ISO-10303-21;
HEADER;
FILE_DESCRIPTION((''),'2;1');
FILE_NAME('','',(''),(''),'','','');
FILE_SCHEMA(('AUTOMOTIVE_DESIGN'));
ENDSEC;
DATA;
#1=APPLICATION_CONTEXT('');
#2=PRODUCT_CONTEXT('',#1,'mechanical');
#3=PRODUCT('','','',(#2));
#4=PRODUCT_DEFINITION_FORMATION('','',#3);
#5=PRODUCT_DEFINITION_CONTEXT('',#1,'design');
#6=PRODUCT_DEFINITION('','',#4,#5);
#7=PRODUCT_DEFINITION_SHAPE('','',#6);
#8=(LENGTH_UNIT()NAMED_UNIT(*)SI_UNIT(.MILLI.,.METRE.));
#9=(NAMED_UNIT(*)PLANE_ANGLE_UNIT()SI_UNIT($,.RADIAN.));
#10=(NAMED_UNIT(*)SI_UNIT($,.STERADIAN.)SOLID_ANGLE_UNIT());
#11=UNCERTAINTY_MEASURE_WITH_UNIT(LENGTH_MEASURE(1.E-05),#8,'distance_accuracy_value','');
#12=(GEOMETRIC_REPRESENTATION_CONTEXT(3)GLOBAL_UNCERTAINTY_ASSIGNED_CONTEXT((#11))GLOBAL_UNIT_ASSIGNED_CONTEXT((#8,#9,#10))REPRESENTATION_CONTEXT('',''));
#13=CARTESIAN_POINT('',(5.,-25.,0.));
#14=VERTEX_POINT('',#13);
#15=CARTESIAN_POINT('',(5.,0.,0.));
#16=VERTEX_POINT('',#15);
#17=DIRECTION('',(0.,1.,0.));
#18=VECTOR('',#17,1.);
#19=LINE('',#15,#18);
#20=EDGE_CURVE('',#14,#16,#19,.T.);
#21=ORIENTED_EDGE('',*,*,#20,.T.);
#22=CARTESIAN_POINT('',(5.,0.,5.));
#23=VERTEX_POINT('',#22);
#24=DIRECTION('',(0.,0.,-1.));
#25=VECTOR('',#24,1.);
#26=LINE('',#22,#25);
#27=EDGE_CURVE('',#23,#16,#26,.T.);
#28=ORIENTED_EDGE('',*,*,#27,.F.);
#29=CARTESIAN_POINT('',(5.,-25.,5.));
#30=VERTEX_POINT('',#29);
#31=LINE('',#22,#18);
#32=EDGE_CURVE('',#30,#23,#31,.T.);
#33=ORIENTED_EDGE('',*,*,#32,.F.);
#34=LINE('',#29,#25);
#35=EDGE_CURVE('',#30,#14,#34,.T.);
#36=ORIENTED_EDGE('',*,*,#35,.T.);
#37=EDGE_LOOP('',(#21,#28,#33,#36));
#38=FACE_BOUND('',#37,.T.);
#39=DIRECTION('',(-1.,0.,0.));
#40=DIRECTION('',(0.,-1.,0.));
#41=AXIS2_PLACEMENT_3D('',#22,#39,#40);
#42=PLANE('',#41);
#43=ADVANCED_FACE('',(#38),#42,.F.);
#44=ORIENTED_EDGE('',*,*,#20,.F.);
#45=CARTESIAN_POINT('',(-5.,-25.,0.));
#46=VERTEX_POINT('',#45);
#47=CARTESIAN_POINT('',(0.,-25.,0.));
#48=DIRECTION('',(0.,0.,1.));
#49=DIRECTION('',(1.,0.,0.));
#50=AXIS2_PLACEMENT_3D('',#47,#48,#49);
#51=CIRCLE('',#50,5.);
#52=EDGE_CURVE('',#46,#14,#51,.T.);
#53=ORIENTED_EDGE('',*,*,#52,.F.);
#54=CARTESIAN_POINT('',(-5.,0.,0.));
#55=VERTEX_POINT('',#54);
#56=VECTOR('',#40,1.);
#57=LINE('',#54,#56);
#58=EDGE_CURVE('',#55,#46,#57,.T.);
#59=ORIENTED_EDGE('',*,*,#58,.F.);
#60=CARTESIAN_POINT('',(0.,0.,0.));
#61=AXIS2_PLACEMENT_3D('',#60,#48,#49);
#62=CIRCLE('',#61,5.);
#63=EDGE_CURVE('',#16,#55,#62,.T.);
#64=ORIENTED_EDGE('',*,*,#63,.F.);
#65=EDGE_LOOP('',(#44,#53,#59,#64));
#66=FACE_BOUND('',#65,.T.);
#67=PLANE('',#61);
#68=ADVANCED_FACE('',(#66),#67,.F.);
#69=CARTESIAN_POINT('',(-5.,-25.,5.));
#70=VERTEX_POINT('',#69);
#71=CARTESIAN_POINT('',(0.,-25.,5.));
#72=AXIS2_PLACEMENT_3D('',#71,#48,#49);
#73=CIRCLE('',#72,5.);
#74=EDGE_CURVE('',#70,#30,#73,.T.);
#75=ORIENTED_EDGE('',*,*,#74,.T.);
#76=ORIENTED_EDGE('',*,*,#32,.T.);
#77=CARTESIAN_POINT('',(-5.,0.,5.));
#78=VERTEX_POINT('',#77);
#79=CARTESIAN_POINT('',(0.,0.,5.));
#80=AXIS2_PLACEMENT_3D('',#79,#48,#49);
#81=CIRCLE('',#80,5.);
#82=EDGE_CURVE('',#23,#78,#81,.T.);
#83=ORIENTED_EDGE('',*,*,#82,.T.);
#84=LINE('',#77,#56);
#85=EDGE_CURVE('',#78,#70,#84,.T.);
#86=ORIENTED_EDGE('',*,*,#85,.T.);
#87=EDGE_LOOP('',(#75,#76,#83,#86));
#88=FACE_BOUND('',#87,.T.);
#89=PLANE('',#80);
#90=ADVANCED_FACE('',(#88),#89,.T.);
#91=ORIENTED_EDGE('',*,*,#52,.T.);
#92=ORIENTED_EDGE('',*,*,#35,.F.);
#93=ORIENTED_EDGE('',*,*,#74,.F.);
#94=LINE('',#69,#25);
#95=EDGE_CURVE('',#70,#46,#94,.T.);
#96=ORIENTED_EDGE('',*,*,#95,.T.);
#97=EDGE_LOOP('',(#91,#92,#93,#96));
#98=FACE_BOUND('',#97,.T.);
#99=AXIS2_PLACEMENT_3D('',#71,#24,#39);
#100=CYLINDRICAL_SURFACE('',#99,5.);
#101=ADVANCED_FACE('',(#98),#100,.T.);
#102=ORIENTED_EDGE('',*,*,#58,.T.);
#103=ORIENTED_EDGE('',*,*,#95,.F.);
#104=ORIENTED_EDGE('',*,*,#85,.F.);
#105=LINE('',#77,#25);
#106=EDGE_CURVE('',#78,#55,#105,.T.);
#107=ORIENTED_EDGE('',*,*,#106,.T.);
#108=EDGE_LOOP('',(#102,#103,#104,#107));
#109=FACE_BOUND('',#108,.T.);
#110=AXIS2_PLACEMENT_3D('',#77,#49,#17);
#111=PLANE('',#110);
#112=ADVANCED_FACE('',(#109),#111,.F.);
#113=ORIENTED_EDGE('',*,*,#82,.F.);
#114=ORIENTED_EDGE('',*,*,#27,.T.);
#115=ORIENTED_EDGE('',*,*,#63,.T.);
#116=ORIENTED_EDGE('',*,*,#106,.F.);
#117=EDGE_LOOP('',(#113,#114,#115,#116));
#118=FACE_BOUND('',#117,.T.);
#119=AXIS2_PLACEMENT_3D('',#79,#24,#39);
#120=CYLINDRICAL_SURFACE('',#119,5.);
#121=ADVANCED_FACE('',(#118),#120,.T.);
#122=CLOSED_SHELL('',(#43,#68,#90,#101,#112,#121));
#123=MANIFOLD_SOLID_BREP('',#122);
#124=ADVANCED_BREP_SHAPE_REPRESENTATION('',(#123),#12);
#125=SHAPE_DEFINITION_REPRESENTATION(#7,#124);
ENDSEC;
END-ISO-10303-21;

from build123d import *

# Parameters (mm, degrees)
EXTRUDE_1_DEPTH = 5


with BuildPart() as part:
    # 草图1 → 凸台-拉伸1 (new body)
    with BuildSketch(Plane.XY):
        with BuildLine():
            Line((5, 0), (5, -25))
            ThreePointArc((5, -25), (0, -30), (-5, -25))
            Line((-5, -25), (-5, 0))
            ThreePointArc((-5, 0), (0, 5), (5, 0))
        make_face()
    extrude(amount=EXTRUDE_1_DEPTH)


solid = part.part
